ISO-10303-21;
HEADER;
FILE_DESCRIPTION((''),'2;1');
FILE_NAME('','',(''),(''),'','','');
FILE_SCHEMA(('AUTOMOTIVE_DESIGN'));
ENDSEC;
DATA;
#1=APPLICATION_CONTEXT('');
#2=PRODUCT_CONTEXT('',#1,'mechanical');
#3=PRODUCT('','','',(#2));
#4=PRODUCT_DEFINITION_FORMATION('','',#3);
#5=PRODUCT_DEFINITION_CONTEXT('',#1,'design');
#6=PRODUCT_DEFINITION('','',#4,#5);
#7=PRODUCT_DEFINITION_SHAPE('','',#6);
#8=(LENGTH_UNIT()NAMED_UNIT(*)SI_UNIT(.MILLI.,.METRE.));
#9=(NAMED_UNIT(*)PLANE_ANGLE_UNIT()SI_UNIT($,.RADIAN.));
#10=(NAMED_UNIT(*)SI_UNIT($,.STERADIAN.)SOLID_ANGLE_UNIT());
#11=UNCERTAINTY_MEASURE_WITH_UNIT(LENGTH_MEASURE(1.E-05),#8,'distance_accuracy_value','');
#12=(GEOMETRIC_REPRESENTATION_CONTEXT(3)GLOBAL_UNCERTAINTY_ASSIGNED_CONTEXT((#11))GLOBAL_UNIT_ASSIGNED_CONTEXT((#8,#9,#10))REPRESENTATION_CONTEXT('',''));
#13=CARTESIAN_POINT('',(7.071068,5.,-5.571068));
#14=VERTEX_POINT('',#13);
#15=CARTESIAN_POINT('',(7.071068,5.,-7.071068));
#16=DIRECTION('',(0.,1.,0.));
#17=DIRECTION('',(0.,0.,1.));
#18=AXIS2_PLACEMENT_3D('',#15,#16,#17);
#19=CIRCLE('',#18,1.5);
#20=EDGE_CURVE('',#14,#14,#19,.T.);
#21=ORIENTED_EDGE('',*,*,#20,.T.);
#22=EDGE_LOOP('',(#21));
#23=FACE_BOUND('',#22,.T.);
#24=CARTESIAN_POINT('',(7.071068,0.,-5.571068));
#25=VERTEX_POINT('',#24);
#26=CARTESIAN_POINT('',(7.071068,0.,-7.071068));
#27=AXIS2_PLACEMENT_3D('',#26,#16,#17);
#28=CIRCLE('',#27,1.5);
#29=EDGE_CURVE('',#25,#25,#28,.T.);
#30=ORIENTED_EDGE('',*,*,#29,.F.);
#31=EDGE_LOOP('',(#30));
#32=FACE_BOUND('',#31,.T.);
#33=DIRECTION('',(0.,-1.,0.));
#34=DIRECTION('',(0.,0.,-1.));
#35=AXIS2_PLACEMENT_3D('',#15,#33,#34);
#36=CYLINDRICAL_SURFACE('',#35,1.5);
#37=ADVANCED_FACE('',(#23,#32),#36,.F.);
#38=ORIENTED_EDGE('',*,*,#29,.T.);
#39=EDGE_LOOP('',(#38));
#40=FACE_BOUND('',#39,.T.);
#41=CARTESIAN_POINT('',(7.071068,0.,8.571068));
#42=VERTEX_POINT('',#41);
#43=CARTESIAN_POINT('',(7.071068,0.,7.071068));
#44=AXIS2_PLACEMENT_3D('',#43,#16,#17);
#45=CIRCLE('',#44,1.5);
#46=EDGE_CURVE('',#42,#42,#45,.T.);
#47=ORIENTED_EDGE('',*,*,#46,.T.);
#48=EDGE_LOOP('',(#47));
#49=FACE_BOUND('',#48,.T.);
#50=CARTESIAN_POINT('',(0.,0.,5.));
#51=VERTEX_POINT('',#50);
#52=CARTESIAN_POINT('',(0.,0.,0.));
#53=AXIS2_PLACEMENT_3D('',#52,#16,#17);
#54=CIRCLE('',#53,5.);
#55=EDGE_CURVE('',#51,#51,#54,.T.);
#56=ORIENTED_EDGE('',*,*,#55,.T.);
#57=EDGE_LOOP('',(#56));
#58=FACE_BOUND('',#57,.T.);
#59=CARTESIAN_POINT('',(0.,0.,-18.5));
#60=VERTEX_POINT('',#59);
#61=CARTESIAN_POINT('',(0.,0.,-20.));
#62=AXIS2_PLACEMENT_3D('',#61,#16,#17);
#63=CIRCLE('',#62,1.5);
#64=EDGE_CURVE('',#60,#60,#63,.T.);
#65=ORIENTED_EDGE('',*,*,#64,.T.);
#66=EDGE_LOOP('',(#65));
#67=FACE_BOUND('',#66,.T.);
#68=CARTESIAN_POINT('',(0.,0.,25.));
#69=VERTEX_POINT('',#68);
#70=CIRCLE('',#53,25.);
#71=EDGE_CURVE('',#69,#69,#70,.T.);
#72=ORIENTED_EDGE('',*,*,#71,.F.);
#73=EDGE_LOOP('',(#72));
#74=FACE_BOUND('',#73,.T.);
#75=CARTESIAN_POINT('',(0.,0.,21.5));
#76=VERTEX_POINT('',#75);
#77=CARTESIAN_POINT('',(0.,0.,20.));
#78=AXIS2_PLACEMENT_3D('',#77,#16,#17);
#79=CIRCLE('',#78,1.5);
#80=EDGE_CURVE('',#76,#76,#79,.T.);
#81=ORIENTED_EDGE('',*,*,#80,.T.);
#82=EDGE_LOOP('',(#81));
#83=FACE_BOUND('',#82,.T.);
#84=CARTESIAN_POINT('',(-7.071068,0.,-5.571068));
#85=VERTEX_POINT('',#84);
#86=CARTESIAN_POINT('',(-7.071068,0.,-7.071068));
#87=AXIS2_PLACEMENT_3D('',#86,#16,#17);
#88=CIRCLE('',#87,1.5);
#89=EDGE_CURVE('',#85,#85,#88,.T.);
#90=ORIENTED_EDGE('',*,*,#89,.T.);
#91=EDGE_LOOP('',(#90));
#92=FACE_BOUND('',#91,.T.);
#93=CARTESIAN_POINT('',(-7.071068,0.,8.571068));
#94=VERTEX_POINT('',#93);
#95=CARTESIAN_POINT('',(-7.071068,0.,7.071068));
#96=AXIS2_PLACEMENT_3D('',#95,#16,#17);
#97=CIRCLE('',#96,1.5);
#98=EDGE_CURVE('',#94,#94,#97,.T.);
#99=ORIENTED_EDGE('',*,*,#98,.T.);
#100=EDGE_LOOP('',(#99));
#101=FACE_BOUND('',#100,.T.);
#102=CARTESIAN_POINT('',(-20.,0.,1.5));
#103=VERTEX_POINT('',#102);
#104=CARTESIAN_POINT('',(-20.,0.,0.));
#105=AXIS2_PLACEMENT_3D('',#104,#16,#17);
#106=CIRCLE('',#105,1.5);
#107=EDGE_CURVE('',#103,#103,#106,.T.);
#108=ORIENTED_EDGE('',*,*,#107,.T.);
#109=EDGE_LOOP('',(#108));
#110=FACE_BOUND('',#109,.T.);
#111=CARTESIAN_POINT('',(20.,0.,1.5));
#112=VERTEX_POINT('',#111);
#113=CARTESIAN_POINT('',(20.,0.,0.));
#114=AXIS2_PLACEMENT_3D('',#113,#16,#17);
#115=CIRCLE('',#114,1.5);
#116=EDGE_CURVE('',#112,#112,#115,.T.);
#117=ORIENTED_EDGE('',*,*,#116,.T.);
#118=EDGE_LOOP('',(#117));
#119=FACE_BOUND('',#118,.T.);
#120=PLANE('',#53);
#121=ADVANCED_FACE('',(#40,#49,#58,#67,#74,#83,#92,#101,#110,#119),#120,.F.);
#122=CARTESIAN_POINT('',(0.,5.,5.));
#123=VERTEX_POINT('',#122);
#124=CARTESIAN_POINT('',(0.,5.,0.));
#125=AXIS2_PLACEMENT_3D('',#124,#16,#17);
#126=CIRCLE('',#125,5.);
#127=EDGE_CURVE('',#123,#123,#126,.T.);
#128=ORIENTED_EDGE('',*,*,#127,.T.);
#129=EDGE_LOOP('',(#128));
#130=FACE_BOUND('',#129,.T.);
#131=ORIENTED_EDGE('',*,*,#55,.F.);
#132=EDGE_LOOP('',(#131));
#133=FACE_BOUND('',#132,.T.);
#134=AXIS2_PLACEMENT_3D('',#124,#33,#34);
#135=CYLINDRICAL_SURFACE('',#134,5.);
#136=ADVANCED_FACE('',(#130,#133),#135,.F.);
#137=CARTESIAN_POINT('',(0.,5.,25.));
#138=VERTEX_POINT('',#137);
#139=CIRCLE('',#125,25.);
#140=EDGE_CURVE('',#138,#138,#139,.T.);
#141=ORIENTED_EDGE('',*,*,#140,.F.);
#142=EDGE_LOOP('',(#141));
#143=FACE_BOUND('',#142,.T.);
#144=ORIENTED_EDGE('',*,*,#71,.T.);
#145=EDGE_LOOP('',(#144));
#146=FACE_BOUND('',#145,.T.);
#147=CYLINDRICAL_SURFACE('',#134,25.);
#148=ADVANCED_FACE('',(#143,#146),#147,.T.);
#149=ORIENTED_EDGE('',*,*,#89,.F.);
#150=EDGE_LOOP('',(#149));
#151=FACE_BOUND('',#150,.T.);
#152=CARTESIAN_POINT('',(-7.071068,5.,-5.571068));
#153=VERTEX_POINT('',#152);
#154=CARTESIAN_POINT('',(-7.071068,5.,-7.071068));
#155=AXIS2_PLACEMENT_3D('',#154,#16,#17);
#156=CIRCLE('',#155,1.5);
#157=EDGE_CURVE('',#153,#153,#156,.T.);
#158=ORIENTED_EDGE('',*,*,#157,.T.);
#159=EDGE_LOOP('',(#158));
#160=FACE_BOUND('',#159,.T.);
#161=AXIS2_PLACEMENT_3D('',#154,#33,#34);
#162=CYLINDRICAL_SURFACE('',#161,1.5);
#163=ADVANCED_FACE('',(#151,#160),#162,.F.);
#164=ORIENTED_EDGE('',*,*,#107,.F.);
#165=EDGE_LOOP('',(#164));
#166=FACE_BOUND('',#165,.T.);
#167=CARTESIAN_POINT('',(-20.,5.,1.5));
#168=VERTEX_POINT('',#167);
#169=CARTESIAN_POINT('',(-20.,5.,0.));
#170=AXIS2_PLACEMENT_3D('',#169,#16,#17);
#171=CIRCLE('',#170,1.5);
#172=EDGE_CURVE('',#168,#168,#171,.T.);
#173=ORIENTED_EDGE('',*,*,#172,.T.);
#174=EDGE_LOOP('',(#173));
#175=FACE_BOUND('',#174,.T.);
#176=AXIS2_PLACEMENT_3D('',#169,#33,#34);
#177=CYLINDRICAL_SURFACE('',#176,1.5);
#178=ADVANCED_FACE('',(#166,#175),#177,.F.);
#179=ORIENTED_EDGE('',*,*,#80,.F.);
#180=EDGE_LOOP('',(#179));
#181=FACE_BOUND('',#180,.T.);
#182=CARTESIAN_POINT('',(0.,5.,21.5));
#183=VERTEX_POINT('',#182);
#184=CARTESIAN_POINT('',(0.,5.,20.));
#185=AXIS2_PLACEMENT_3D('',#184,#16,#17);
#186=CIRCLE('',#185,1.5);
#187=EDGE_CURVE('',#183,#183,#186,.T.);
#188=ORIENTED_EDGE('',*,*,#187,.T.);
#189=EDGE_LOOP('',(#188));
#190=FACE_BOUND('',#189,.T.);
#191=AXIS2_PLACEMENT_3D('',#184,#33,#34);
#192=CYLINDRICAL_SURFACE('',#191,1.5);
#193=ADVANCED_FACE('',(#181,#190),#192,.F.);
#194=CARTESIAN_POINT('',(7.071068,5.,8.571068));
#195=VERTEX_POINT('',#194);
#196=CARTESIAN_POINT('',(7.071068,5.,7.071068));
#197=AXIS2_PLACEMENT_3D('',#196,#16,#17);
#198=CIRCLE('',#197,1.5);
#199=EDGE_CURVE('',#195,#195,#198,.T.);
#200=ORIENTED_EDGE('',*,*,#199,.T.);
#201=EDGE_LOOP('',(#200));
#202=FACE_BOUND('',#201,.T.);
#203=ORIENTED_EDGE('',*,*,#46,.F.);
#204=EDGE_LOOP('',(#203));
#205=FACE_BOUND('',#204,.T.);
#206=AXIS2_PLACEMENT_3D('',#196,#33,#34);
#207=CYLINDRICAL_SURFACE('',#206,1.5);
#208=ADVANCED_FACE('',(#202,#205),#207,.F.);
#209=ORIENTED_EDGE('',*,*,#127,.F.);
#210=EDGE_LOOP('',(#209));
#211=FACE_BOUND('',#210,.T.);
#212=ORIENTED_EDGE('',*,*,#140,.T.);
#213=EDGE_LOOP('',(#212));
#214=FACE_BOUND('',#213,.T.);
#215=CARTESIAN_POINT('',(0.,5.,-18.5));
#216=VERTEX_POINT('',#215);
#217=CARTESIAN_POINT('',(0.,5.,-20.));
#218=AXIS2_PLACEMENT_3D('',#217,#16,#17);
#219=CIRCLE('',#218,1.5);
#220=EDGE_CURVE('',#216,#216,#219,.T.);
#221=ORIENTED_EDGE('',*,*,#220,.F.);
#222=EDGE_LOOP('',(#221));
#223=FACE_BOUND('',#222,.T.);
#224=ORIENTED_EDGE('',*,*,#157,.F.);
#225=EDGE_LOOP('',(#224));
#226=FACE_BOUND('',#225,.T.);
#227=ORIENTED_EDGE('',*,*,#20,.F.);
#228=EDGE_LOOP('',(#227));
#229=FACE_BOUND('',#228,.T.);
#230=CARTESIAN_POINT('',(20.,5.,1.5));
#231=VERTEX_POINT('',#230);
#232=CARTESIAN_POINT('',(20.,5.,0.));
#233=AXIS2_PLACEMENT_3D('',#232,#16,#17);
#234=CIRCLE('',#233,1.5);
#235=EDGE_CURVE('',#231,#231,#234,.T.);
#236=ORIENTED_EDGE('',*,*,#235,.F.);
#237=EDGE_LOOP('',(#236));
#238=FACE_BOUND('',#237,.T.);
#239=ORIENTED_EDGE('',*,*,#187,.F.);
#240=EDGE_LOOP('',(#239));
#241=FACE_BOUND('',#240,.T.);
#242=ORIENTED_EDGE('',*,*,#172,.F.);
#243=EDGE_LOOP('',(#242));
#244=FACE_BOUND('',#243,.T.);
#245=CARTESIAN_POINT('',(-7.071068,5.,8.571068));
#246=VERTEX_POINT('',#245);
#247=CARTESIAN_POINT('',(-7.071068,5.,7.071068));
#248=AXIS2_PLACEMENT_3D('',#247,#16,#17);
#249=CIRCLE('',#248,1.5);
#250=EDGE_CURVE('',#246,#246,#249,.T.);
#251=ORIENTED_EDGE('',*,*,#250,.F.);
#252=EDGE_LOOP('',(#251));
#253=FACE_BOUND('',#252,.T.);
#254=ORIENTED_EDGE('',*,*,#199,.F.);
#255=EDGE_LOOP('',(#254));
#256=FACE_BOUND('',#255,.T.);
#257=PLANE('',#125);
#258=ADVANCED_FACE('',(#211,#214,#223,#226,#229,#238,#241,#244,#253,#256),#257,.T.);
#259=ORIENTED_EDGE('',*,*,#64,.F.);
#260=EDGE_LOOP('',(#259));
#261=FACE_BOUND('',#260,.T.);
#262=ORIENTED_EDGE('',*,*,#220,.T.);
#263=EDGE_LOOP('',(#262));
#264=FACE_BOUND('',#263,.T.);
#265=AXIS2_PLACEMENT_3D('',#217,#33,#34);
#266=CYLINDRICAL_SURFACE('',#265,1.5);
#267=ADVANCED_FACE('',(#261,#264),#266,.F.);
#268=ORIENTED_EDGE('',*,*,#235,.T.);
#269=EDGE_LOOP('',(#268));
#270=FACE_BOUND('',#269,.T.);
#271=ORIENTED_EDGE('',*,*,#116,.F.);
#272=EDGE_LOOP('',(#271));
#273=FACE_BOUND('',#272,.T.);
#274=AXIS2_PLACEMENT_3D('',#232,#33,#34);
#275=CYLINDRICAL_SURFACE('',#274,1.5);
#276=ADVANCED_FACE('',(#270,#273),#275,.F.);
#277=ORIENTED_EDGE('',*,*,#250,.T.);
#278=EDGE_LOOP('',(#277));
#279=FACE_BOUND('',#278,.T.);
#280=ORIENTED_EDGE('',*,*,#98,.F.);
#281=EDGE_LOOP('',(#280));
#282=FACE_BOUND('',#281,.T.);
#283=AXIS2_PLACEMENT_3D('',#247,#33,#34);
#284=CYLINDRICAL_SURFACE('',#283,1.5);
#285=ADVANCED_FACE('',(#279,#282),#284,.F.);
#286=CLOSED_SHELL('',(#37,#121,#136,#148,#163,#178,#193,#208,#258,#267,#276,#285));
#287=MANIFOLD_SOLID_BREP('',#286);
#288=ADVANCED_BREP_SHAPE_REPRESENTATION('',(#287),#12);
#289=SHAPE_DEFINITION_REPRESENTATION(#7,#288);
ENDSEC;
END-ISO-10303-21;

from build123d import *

# Parameters (mm, degrees)
SKETCH_1_R      = 25
SKETCH_1_R_2    = 1.5
SKETCH_1_R_3    = 5
EXTRUDE_1_DEPTH = 5


with BuildPart() as part:
    # 草图1 → 凸台-拉伸1 (new body)
    with BuildSketch(Plane(origin=(0, 0, 0), x_dir=(1, 0, 0), z_dir=(0, 1, 0))):
        with Locations(Location((0, 0, 0), (0, 0, 270))):
            Circle(SKETCH_1_R)
        with Locations(Location((0, 20, 0), (0, 0, 270))):
            Circle(SKETCH_1_R_2, mode=Mode.SUBTRACT)
        with Locations(Location((20, 0, 0), (0, 0, 270))):
            Circle(SKETCH_1_R_2, mode=Mode.SUBTRACT)
        with Locations(Location((0, -20, 0), (0, 0, 270))):
            Circle(SKETCH_1_R_2, mode=Mode.SUBTRACT)
        with Locations(Location((-20, 0, 0), (0, 0, 270))):
            Circle(SKETCH_1_R_2, mode=Mode.SUBTRACT)
        with Locations(Location((-7.071067812, 7.071067812, 0), (0, 0, 270))):
            Circle(SKETCH_1_R_2, mode=Mode.SUBTRACT)
        with Locations(Location((7.071067812, 7.071067812, 0), (0, 0, 270))):
            Circle(SKETCH_1_R_2, mode=Mode.SUBTRACT)
        with Locations(Location((7.071067812, -7.071067812, 0), (0, 0, 270))):
            Circle(SKETCH_1_R_2, mode=Mode.SUBTRACT)
        with Locations(Location((-7.071067812, -7.071067812, 0), (0, 0, 270))):
            Circle(SKETCH_1_R_2, mode=Mode.SUBTRACT)
        with Locations(Location((0, 0, 0), (0, 0, 270))):
            Circle(SKETCH_1_R_3, mode=Mode.SUBTRACT)
    extrude(amount=EXTRUDE_1_DEPTH)


solid = part.part
